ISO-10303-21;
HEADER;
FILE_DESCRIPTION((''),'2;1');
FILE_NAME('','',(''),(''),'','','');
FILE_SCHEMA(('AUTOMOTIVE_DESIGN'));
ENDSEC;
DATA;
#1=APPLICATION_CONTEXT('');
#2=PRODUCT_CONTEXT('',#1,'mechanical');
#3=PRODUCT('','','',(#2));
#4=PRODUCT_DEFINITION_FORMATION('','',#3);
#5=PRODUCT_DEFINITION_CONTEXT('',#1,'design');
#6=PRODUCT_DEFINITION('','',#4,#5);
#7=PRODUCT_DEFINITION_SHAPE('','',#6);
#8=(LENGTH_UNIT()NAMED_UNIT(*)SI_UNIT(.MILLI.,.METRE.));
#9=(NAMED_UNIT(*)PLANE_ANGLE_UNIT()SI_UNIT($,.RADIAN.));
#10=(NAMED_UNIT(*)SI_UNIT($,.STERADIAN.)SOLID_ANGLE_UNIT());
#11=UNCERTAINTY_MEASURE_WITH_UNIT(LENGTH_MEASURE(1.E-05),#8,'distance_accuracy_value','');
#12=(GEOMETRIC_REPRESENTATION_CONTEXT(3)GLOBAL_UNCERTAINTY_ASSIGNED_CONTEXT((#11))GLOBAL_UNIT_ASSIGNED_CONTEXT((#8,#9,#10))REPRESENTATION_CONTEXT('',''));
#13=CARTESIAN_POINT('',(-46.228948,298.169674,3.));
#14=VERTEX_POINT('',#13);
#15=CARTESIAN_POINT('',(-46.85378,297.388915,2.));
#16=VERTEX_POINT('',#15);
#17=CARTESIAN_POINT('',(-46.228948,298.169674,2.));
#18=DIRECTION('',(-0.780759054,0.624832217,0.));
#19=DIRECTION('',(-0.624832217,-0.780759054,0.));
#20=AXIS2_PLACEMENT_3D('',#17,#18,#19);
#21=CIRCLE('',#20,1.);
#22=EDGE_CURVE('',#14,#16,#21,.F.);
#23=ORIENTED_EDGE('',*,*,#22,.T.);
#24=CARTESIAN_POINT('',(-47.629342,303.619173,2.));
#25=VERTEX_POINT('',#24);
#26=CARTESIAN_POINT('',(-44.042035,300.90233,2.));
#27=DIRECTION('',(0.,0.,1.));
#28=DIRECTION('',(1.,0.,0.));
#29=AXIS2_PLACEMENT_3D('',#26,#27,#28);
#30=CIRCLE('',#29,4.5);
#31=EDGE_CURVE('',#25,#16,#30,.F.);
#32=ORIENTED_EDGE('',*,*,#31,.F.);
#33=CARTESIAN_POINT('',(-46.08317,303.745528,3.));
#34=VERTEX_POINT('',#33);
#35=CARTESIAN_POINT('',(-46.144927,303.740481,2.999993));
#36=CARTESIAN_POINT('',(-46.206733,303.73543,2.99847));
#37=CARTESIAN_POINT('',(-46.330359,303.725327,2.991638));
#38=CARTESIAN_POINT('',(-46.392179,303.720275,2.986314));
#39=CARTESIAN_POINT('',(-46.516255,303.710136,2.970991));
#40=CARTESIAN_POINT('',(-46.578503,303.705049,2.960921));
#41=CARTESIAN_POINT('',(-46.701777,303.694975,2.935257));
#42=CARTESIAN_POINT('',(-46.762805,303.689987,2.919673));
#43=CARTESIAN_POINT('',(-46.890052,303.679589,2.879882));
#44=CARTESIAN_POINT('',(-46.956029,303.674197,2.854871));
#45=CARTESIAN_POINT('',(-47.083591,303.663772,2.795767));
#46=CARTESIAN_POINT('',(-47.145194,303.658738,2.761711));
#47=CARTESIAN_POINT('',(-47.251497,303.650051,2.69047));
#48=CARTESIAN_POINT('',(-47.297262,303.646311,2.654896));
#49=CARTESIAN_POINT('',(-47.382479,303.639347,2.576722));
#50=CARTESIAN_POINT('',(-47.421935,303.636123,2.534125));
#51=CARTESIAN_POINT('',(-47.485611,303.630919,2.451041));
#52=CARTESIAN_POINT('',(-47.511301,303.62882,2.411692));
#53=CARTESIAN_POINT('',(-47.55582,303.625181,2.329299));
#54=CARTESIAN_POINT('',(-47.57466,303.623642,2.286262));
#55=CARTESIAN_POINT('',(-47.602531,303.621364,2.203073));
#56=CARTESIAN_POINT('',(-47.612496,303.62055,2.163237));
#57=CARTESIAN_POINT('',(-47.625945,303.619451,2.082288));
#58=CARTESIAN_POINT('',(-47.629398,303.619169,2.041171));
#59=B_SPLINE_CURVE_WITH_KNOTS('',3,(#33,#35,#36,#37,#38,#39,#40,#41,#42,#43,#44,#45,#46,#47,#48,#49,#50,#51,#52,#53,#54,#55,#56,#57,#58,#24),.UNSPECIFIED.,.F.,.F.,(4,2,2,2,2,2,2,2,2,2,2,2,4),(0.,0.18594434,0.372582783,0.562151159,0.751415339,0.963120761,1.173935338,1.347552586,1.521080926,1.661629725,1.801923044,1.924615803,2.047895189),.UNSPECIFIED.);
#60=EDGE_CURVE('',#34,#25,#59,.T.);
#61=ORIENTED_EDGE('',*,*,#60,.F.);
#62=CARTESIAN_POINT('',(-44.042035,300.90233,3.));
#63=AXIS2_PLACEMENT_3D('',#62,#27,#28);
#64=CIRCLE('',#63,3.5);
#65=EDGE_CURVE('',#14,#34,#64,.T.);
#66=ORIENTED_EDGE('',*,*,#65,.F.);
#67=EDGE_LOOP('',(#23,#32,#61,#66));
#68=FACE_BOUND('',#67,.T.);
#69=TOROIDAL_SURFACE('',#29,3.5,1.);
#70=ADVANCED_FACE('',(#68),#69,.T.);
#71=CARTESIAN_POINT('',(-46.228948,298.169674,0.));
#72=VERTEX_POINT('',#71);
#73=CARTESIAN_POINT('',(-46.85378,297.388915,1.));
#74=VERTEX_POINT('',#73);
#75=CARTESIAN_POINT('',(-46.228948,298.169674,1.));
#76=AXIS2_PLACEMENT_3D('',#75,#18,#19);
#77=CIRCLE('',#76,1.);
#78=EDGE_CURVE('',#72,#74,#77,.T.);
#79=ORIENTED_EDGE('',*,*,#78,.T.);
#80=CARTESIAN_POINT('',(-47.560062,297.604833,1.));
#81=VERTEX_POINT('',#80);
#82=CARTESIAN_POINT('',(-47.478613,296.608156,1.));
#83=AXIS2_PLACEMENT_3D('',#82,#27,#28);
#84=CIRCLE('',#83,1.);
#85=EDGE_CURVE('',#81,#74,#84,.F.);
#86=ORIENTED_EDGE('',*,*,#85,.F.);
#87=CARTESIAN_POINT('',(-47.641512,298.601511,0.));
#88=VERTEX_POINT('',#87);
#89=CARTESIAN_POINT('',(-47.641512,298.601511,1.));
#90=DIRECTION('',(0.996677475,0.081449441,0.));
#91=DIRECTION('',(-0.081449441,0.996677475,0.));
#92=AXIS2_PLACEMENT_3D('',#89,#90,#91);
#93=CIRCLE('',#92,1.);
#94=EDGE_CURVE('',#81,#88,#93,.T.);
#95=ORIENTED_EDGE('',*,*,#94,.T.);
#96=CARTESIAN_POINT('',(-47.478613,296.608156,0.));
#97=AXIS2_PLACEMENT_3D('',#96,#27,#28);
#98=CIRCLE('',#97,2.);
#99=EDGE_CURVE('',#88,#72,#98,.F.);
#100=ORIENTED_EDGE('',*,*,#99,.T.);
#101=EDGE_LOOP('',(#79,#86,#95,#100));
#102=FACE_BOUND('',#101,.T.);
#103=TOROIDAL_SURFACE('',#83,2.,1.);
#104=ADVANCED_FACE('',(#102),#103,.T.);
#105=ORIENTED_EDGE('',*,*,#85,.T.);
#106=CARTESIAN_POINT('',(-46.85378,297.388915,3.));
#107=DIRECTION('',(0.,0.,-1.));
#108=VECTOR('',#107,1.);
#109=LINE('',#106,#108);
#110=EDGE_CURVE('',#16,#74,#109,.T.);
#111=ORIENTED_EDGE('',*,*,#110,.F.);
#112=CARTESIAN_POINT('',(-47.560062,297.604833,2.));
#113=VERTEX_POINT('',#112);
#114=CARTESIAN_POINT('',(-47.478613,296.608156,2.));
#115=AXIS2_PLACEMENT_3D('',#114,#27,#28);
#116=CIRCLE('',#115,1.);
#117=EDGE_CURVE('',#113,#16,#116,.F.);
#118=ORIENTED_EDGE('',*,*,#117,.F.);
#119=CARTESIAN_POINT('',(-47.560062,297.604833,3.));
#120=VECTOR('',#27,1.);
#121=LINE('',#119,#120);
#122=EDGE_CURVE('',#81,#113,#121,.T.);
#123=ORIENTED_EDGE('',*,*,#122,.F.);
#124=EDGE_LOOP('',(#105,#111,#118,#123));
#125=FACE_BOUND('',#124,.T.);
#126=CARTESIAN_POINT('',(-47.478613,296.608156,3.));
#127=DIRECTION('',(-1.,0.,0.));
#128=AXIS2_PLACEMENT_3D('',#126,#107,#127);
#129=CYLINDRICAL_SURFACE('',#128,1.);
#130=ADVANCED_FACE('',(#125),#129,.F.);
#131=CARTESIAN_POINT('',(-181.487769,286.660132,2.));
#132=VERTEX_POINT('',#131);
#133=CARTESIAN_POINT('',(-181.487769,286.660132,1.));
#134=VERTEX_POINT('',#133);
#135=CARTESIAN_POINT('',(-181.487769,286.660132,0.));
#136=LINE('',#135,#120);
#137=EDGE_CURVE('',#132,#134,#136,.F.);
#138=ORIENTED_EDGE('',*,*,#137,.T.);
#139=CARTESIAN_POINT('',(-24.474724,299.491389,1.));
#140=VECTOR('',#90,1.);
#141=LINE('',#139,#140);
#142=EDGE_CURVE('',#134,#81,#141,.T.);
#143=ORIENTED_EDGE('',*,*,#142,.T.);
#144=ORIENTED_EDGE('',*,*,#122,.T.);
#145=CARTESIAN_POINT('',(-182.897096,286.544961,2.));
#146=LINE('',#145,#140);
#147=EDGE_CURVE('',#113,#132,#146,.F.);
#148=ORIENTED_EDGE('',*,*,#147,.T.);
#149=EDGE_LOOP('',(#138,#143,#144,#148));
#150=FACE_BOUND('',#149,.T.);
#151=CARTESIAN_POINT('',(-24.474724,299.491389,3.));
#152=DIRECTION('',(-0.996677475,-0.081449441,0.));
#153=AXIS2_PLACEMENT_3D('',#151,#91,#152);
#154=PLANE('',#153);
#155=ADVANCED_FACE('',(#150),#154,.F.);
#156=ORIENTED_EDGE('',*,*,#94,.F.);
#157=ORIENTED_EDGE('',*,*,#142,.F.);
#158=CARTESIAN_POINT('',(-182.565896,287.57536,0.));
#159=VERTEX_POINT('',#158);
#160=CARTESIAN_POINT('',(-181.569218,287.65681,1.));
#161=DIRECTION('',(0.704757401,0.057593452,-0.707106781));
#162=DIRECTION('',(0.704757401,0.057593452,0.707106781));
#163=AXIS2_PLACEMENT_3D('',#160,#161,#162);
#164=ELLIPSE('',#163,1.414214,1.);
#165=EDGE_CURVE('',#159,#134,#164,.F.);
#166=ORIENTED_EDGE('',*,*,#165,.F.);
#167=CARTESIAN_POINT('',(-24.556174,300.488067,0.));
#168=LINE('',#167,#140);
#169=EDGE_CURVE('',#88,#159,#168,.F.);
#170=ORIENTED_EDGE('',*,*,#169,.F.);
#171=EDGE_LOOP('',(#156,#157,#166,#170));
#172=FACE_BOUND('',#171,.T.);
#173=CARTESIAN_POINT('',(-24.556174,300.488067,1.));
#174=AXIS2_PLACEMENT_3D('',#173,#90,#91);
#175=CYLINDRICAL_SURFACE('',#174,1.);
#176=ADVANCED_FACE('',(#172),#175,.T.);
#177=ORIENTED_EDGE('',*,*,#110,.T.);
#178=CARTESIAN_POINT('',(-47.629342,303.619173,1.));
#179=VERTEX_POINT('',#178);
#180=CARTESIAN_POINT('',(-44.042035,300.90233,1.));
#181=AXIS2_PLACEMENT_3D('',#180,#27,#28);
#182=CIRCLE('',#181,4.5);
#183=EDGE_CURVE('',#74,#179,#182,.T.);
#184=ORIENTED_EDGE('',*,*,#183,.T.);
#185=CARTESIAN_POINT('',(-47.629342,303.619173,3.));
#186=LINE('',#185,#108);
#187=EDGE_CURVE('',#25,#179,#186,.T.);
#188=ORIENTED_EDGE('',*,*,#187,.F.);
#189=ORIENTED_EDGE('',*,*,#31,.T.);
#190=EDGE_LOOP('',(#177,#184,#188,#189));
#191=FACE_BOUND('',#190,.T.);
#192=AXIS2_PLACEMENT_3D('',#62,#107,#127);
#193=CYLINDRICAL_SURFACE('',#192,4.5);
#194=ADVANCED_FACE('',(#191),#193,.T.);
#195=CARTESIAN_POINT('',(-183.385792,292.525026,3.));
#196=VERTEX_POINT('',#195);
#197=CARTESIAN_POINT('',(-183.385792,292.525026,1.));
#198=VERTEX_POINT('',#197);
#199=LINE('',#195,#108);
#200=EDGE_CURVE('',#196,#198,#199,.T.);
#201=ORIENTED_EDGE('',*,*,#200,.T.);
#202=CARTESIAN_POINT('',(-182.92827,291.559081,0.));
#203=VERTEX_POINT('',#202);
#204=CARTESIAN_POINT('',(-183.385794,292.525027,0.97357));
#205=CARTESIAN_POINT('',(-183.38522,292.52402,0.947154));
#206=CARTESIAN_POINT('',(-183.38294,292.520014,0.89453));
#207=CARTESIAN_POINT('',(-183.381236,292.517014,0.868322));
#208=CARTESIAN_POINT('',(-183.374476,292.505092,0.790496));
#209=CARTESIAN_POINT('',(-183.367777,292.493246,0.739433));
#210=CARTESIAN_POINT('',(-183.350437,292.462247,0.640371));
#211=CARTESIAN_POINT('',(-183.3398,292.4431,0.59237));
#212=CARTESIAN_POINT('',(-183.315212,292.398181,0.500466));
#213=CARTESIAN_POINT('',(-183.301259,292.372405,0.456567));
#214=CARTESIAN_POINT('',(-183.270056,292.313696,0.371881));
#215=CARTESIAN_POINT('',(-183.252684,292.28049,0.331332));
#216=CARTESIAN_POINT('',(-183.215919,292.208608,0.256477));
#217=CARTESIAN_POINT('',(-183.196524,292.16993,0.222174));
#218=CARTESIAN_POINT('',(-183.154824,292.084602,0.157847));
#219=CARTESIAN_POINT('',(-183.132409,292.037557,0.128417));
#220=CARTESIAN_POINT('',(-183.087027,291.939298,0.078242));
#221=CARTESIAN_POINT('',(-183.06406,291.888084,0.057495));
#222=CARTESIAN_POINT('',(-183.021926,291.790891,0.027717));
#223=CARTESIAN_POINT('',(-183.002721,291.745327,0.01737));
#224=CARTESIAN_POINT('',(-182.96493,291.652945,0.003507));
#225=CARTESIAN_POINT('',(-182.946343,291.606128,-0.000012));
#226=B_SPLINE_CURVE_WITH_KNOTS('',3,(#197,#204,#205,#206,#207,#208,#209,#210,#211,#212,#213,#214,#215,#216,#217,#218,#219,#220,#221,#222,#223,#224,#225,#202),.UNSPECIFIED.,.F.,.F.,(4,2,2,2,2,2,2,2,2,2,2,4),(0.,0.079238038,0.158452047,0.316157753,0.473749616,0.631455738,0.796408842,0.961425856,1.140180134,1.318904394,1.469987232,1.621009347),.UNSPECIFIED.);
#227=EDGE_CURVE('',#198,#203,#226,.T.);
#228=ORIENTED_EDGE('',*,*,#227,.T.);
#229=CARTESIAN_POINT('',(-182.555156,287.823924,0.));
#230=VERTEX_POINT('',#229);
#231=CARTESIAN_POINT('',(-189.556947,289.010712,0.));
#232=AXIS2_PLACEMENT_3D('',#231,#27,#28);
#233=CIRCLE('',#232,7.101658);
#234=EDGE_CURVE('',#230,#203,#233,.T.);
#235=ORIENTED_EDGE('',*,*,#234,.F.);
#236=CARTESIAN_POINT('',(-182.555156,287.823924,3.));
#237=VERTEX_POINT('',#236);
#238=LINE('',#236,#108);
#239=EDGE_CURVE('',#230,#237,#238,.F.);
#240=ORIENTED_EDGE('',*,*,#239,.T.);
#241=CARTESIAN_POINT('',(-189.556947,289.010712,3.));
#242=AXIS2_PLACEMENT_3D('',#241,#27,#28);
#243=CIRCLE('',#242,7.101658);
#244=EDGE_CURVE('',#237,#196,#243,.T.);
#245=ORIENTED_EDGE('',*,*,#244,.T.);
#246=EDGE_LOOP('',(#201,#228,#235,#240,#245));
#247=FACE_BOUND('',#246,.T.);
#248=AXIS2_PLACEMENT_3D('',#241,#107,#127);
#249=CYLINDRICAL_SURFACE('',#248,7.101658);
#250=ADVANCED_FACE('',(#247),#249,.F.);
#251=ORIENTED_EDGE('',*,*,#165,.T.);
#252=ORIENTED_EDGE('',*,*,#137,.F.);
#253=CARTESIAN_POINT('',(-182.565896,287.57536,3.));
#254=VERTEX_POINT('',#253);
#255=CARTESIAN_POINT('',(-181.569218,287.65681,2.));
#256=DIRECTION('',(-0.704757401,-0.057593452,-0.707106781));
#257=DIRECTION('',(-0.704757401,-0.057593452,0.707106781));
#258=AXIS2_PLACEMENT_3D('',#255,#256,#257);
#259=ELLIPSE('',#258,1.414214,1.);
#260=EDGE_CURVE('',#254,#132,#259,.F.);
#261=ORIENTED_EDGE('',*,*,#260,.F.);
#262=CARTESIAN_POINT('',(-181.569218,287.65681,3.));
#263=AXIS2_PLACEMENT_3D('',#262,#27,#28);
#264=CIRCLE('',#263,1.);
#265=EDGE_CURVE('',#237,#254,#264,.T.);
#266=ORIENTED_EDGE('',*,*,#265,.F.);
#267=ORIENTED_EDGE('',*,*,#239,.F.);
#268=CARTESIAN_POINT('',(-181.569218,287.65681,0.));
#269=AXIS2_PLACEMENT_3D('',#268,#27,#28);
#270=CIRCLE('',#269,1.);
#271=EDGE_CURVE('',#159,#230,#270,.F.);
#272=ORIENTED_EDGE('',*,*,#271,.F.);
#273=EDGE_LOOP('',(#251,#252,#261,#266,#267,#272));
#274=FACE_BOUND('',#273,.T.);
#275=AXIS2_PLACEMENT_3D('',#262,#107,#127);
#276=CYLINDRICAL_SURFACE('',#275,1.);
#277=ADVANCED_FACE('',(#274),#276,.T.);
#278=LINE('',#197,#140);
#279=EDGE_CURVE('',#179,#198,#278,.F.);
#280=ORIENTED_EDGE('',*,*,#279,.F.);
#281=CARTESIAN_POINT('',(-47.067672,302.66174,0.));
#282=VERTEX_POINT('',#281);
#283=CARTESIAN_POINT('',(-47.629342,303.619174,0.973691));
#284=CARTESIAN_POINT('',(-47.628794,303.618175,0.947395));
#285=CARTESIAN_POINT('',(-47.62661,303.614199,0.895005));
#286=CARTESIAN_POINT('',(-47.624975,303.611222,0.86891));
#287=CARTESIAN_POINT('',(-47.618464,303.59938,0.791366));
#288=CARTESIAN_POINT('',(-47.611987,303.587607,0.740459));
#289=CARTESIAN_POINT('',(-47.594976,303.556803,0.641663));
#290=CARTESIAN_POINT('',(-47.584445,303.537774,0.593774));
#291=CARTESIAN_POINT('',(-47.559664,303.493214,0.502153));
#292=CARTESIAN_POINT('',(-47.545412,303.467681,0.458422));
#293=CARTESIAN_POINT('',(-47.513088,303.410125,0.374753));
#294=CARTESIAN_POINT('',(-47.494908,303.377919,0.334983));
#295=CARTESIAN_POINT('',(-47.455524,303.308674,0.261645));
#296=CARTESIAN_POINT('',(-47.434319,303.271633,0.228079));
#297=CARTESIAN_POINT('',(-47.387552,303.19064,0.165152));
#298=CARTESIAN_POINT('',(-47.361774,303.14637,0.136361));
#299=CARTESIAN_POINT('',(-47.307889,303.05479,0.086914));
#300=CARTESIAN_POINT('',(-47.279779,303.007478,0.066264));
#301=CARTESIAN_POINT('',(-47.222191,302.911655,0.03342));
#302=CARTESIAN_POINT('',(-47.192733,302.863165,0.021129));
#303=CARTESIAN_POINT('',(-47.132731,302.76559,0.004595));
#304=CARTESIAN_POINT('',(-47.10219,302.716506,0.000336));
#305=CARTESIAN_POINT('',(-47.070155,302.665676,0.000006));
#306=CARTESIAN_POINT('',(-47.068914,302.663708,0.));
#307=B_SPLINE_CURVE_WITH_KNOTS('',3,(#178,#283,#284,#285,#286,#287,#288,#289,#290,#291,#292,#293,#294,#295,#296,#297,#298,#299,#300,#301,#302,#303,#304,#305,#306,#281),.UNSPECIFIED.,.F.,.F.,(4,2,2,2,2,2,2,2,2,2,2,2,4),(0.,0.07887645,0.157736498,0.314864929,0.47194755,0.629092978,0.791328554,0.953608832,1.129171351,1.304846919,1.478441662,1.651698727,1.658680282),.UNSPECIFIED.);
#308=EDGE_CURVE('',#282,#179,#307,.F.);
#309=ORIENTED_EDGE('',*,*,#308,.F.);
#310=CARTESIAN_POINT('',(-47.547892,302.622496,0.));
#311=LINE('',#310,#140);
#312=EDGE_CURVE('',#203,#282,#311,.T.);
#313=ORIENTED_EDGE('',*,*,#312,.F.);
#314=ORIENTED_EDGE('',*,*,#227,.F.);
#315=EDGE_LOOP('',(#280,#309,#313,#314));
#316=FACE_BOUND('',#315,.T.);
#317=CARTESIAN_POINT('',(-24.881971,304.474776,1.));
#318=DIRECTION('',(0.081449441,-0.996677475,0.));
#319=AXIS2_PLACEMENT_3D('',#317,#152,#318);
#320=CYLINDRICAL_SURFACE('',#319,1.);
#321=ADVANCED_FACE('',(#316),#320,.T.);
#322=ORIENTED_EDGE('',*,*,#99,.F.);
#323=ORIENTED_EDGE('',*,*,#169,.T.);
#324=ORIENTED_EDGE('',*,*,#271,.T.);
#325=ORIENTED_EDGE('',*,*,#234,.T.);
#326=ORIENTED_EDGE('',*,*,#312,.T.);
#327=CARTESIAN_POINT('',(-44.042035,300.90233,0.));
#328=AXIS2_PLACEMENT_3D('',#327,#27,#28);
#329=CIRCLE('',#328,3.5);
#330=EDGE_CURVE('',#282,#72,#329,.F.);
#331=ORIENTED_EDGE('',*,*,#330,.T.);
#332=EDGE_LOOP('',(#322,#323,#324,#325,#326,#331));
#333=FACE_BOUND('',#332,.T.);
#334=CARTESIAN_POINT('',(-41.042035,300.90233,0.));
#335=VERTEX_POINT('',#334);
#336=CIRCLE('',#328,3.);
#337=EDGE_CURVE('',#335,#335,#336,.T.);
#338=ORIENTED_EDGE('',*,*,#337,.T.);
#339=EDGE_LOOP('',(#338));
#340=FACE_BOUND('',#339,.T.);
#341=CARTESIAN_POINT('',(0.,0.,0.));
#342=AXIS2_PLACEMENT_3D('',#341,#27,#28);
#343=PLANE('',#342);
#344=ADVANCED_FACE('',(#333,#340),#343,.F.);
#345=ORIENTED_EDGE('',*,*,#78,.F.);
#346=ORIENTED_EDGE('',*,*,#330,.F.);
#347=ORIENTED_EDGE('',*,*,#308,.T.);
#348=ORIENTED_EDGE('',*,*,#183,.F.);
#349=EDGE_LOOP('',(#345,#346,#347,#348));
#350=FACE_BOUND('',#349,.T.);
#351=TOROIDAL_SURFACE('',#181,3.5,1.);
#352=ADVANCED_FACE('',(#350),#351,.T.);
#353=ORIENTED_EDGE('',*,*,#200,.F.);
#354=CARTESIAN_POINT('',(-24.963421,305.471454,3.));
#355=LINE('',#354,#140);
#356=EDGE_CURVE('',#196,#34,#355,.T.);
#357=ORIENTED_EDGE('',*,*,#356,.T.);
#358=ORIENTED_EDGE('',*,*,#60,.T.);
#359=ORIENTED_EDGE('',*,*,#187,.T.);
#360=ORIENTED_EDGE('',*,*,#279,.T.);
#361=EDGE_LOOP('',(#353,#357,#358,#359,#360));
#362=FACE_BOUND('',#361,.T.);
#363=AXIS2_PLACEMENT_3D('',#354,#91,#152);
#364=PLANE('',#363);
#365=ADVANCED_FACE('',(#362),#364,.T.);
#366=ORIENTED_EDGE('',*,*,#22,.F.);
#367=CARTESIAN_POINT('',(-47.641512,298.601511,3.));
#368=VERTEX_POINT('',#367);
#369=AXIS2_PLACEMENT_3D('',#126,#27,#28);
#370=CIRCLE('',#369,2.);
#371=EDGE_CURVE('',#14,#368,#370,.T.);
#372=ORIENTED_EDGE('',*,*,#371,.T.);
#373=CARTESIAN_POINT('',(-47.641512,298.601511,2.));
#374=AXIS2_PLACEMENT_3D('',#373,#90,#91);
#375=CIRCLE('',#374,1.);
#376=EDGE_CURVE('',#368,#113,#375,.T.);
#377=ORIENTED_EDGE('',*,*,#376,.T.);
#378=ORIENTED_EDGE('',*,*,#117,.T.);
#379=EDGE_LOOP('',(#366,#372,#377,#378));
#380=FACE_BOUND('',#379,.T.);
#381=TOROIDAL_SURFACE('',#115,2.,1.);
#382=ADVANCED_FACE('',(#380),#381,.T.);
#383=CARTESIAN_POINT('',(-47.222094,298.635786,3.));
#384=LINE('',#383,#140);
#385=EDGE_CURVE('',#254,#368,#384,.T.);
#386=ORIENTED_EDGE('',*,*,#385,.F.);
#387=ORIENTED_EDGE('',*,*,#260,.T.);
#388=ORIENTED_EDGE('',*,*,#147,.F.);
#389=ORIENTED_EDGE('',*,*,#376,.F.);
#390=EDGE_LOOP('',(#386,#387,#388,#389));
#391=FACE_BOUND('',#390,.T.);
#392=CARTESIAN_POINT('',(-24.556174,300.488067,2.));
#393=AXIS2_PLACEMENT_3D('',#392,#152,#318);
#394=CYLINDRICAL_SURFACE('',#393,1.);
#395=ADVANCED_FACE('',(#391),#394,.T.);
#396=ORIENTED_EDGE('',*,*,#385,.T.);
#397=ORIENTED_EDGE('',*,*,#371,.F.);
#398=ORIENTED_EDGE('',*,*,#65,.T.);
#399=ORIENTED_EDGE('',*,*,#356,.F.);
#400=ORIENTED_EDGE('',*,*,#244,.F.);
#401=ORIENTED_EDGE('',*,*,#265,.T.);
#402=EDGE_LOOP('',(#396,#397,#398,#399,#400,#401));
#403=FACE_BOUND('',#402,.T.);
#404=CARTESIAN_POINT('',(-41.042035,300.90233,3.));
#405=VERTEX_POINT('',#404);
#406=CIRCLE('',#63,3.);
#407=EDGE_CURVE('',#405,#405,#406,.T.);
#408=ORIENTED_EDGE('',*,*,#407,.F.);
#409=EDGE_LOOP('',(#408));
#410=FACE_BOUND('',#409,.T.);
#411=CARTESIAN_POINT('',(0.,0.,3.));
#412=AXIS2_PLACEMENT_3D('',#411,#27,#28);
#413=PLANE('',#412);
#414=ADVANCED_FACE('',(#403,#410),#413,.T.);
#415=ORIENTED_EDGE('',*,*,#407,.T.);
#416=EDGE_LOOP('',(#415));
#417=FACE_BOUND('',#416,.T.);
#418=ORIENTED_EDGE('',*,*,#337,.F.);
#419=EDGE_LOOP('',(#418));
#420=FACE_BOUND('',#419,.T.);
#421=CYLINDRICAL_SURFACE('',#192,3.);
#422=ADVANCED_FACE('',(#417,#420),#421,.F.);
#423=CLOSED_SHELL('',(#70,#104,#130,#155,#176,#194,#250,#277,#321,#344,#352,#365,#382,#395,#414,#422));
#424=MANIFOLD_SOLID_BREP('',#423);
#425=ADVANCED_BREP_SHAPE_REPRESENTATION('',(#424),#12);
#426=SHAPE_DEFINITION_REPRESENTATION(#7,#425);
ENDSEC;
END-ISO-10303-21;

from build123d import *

# Parameters (mm, degrees)
BOSS_EXTRUDE1_DEPTH = 3
FILLET1_R           = 1


with BuildPart() as part:
    # Sketch3 → Boss-Extrude1 (new body)
    with BuildSketch(Plane.XY):
        with BuildLine():
            Line((-47.629341679, 303.619173128), (-183.385792378, 292.525025508))
            ThreePointArc((-183.385792378, 292.525025508), (-182.965818895, 291.654682353), (-182.667892931, 290.735380959))
            ThreePointArc((-182.667892931, 290.735380959), (-182.508640247, 289.879573849), (-182.455288816, 289.010712035))
            ThreePointArc((-182.455288816, 289.010712035), (-182.566613094, 287.758202235), (-182.897095731, 286.54496066))
            Line((-182.897095731, 286.54496066), (-47.140645032, 297.63910828))
            ThreePointArc((-47.140645032, 297.63910828), (-39.556986842, 301.268852919), (-47.629341679, 303.619173128))
        make_face()
        with BuildLine():
            ThreePointArc((-41.042035478, 300.902330434), (-41.836015876, 298.869234884), (-43.797687155, 297.91229801))
            ThreePointArc((-43.797687155, 297.91229801), (-45.953531927, 298.590149359), (-47.024676985, 300.580073327))
            ThreePointArc((-47.024676985, 300.580073327), (-44.203397618, 303.897987668), (-41.042035478, 300.902330434))
        make_face(mode=Mode.SUBTRACT)
    extrude(amount=BOSS_EXTRUDE1_DEPTH)

    # Fillet1
    fillet1_edges = [part.edges().sort_by_distance(p)[0] for p in [
        (-47.140645032, 297.63910828, 1.5),
        (-182.897095731, 286.54496066, 1.5),
        (-115.018870382, 292.09203447, 3),
        (-39.556986842, 301.268852919, 3),
        (-115.507567028, 298.072099318, 0),
        (-39.556986842, 301.268852919, 0),
        (-115.018870382, 292.09203447, 0),
    ]]
    fillet(fillet1_edges, radius=FILLET1_R)


solid = part.part
